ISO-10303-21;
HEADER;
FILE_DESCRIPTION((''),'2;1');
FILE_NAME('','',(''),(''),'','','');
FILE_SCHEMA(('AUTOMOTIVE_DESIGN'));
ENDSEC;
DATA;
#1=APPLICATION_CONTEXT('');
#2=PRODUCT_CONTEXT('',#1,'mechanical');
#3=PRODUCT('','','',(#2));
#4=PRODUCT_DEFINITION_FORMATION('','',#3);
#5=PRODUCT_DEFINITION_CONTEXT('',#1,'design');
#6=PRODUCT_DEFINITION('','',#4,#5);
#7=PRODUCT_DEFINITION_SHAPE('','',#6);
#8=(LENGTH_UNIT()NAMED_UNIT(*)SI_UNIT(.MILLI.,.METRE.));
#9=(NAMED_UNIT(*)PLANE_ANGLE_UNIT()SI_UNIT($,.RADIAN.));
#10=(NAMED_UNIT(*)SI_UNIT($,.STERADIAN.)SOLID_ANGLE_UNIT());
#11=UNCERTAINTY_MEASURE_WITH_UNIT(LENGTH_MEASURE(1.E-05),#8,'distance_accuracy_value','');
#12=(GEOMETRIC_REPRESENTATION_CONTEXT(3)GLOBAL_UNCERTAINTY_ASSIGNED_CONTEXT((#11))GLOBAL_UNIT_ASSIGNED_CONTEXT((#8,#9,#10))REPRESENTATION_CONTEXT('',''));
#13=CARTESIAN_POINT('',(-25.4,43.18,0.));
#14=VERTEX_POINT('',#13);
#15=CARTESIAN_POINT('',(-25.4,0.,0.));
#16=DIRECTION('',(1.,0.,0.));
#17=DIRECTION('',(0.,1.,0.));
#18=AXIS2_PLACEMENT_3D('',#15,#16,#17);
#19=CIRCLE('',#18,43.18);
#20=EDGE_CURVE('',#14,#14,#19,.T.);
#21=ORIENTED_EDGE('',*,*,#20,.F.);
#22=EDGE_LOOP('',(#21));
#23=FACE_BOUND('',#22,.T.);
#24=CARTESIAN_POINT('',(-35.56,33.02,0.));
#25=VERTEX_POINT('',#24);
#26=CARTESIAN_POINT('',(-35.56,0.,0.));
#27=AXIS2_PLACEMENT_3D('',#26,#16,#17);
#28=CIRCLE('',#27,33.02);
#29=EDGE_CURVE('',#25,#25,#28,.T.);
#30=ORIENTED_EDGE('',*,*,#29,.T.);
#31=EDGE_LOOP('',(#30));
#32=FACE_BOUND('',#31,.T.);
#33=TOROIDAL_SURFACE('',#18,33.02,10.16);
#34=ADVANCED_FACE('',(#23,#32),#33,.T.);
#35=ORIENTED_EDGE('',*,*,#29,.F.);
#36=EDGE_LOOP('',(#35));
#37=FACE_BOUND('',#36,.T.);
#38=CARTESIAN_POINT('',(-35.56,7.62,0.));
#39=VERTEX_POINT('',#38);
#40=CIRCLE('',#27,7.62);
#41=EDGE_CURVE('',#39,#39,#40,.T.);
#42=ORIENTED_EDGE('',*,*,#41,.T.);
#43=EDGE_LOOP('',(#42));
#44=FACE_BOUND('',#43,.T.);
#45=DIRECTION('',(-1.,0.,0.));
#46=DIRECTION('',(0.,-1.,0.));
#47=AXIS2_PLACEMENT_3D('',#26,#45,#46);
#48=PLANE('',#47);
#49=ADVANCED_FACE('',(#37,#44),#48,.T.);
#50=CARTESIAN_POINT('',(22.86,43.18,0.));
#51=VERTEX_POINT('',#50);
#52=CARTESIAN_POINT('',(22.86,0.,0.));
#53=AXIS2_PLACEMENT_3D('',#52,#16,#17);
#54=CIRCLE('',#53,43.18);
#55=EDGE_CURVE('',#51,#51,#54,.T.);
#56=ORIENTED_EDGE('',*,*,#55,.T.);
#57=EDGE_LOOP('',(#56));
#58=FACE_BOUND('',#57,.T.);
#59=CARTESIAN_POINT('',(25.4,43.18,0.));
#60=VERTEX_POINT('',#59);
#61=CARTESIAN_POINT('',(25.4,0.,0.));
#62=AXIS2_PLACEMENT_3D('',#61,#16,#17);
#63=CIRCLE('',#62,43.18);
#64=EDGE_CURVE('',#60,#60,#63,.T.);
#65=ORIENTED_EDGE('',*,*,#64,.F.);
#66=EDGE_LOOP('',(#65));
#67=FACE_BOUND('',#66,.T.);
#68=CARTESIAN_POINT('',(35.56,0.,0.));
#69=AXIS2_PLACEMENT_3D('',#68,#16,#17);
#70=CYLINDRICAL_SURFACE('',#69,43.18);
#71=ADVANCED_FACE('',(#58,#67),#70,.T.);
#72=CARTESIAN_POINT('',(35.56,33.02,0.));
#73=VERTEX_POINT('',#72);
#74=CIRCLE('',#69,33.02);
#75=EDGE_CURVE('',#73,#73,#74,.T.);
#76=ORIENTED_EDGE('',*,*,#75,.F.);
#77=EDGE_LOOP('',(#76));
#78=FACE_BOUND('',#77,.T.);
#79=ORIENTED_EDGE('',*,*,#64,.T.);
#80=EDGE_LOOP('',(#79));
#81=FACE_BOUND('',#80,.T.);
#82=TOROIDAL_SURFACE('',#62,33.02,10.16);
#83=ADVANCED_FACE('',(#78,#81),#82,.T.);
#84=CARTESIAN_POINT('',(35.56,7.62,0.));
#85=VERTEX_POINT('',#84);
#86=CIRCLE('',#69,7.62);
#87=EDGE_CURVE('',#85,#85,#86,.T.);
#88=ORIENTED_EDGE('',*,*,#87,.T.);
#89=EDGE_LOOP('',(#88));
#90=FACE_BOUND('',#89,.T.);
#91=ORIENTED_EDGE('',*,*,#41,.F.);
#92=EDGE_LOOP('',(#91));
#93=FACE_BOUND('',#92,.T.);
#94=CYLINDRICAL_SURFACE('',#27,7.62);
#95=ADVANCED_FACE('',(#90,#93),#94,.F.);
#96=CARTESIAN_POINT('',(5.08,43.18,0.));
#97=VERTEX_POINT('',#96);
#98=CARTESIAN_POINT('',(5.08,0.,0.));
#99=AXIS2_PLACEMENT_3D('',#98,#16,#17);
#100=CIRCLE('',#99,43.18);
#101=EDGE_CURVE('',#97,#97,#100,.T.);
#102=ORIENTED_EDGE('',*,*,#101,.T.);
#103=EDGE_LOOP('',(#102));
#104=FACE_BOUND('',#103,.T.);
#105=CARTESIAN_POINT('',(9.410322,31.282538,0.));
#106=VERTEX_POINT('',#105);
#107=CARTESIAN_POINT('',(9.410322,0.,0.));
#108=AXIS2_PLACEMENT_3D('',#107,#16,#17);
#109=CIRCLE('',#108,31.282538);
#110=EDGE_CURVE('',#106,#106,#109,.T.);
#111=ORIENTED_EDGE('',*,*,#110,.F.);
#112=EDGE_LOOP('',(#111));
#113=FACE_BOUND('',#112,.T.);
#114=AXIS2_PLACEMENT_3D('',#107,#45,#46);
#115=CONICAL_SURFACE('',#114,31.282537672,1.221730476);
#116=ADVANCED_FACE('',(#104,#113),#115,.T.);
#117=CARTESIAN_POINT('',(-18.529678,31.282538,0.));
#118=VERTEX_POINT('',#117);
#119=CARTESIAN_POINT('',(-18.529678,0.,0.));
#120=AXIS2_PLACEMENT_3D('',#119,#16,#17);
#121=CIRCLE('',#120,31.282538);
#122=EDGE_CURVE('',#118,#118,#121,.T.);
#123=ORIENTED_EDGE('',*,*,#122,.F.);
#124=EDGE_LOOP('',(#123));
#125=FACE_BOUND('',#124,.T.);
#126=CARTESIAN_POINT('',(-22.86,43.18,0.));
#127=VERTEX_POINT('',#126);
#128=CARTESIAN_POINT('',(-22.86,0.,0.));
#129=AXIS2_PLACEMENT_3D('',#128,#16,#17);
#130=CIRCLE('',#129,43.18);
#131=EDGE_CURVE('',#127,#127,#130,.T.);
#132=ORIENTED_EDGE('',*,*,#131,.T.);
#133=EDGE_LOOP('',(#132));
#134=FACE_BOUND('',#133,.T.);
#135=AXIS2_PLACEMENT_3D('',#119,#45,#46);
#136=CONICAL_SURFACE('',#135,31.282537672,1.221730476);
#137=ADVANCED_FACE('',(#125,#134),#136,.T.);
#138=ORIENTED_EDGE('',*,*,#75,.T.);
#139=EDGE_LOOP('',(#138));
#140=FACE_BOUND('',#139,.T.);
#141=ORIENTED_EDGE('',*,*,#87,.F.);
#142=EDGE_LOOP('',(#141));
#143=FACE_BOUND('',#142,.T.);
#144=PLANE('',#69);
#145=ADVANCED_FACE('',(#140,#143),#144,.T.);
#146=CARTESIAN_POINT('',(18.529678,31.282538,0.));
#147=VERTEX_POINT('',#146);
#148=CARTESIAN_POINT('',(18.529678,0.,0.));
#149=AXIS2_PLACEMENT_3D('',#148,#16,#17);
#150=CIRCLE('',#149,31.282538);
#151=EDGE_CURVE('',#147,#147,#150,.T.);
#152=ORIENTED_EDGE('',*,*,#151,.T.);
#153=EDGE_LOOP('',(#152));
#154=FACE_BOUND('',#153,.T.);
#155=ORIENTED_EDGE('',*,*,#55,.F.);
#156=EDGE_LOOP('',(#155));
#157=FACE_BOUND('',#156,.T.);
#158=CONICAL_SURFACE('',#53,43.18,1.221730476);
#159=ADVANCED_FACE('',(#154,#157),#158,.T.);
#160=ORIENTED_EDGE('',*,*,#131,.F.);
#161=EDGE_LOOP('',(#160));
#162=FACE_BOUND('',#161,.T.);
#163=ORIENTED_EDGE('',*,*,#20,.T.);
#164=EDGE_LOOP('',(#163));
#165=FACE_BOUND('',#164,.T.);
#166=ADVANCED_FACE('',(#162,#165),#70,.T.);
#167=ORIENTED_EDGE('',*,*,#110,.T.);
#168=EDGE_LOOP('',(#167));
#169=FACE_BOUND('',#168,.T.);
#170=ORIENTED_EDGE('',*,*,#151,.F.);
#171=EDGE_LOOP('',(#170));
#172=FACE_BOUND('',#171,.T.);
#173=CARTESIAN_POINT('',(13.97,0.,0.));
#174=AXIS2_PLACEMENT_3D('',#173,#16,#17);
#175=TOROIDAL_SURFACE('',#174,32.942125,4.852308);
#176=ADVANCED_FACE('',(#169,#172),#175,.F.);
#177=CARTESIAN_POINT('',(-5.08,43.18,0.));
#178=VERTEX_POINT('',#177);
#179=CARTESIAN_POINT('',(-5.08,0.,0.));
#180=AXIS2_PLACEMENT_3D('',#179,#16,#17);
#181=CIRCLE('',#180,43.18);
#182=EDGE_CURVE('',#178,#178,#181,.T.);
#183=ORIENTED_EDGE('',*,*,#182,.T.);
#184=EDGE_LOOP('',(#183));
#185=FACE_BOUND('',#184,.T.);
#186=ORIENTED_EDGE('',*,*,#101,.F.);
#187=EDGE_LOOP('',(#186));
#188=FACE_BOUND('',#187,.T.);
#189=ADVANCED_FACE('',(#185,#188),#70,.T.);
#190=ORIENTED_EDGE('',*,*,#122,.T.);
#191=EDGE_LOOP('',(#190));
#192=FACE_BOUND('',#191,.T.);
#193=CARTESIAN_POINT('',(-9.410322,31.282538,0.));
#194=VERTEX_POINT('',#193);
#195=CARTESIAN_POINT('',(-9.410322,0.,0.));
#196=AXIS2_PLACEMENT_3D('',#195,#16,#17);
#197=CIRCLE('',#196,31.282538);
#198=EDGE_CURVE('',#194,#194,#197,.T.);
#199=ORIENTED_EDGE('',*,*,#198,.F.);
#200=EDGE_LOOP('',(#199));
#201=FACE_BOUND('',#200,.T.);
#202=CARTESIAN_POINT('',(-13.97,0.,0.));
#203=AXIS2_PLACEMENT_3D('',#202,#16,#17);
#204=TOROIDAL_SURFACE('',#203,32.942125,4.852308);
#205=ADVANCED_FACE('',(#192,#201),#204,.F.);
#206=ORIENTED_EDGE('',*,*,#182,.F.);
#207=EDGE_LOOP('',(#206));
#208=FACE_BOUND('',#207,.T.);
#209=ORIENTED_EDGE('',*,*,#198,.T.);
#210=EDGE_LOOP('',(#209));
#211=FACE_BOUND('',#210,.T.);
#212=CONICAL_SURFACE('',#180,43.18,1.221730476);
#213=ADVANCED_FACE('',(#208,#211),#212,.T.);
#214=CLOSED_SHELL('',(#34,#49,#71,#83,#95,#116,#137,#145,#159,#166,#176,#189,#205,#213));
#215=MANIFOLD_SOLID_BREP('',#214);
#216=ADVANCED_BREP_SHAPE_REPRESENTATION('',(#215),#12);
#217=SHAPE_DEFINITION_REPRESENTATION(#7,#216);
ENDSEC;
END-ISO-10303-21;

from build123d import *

# Parameters (mm, degrees)
SKETCH5_R          = 7.62
CUT_EXTRUDE2_DEPTH = 94.739421895


with BuildPart() as part:
    # Sketch1 → Revolve1 (revolve)
    with BuildSketch(Plane.XY):
        with BuildLine():
            Line((35.56, 0), (-35.56, 0))
            Line((-35.56, 0), (-35.56, 33.02))
            ThreePointArc((-35.56, 33.02), (-32.584204897, 40.204204897), (-25.4, 43.18))
            Line((-25.4, 43.18), (-22.86, 43.18))
            Line((-22.86, 43.18), (-18.529677849, 31.282537672))
            ThreePointArc((-18.529677849, 31.282537672), (-13.97, 28.08981687), (-9.410322151, 31.282537672))
            Line((-9.410322151, 31.282537672), (-5.08, 43.18))
            Line((-5.08, 43.18), (5.08, 43.18))
            Line((5.08, 43.18), (9.410322151, 31.282537672))
            ThreePointArc((9.410322151, 31.282537672), (13.97, 28.08981687), (18.529677849, 31.282537672))
            Line((18.529677849, 31.282537672), (22.86, 43.18))
            Line((22.86, 43.18), (25.4, 43.18))
            ThreePointArc((25.4, 43.18), (32.584204897, 40.204204897), (35.56, 33.02))
            Line((35.56, 33.02), (35.56, 0))
        make_face()
    revolve(axis=Axis((35.56, 0, 0), (-1, 0, 0)))

    # Sketch5 → Cut-Extrude2 (cut, through all)
    with BuildSketch(Plane(origin=(35.56, 0, 0), x_dir=(0, 0, -1), z_dir=(1, 0, 0))):
        with Locations(Location((0, 0, 0), (0, 0, 90))):
            Circle(SKETCH5_R)
    extrude(amount=-CUT_EXTRUDE2_DEPTH, mode=Mode.SUBTRACT)


solid = part.part
